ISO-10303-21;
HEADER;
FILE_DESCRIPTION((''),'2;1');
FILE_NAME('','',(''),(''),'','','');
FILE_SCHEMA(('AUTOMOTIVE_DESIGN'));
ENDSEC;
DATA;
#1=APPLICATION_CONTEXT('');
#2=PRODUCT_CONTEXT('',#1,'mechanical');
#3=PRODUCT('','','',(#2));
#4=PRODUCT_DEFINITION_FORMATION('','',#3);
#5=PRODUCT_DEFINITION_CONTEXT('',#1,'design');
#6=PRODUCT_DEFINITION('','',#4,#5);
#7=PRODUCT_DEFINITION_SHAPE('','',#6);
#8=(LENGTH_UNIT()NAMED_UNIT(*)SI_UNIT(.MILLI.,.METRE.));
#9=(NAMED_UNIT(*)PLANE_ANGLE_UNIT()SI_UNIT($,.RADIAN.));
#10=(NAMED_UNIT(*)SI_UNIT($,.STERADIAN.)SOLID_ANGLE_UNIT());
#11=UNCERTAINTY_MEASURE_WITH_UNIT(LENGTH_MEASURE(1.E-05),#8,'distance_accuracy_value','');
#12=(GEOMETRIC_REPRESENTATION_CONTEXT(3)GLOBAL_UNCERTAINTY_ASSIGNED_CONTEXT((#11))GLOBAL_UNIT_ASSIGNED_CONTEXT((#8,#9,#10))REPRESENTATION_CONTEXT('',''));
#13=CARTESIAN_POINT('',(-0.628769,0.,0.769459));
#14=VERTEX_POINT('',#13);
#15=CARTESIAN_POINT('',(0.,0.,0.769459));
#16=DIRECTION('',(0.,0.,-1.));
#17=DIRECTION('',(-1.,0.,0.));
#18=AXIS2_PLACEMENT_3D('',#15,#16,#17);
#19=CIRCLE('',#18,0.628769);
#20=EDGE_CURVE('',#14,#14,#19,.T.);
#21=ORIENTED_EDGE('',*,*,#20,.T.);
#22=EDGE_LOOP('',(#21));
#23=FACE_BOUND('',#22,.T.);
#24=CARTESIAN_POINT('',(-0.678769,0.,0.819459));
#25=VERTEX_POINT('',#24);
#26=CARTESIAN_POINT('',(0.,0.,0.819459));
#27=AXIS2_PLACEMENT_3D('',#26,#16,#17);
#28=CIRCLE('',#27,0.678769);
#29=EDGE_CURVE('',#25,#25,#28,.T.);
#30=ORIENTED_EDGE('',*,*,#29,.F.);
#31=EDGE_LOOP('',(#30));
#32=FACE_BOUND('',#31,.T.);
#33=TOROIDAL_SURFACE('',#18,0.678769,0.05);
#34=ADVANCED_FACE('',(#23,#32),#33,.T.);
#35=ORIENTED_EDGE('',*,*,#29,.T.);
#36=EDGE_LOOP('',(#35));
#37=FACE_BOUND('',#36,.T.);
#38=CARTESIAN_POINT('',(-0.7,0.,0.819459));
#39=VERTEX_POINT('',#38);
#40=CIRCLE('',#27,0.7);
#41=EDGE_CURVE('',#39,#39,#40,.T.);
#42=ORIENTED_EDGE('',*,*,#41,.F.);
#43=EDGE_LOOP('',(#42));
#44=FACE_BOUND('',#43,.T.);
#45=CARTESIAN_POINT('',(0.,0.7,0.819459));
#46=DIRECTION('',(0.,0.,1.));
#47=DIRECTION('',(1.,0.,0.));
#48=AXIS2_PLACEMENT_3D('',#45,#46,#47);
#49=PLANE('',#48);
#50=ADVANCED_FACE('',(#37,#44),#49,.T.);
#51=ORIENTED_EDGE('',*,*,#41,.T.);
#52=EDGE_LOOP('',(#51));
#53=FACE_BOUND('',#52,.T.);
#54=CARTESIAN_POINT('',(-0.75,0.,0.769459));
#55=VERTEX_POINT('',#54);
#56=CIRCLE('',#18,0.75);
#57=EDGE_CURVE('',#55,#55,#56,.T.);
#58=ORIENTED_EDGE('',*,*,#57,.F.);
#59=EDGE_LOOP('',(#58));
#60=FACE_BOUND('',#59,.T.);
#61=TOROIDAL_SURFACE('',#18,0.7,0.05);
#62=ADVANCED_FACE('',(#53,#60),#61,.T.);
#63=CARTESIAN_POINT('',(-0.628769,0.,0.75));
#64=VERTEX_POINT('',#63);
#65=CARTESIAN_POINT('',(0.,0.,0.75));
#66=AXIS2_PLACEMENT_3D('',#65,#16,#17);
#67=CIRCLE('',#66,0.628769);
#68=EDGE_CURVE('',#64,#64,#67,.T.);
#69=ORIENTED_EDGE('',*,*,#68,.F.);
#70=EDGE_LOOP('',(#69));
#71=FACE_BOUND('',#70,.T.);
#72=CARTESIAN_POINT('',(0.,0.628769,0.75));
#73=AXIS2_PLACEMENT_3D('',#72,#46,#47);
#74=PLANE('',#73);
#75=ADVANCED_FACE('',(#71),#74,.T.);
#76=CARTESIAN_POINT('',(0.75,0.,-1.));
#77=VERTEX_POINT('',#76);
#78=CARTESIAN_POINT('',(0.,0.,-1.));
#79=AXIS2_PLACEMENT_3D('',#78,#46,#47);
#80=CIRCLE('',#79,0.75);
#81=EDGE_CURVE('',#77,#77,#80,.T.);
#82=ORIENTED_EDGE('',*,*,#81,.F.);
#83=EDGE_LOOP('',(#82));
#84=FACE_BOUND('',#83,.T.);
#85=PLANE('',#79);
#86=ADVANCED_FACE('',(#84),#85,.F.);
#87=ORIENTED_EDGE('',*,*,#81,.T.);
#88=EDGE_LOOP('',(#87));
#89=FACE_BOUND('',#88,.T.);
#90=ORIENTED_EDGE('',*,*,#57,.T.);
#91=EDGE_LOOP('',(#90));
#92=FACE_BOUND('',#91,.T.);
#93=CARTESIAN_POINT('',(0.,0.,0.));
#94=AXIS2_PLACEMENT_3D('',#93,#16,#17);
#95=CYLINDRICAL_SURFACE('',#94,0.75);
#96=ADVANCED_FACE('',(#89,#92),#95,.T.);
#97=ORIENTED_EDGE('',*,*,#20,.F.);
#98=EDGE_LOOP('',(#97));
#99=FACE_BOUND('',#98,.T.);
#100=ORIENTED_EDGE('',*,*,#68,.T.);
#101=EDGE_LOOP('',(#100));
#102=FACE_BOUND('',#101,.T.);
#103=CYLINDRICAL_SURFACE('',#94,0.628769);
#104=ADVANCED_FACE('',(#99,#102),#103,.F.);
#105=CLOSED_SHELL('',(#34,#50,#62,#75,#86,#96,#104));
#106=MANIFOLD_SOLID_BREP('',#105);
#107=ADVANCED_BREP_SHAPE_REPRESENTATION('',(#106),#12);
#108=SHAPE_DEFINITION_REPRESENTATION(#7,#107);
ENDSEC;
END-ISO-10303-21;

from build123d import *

# Parameters (mm, degrees)
BOSS_EXTRUDE1_START = -1
SKETCH3_R           = 0.75
BOSS_EXTRUDE1_DEPTH = 1


with BuildPart() as part:
    # Sketch2 → Revolve1 (revolve)
    with BuildSketch(Plane(origin=(0, 0, 0), x_dir=(0, 0, -1), z_dir=(1, 0, 0)), mode=Mode.PRIVATE) as revolve1_sk:
        with BuildLine():
            Line((0, 0.75), (0, 0))
            Line((0, 0), (-0.75, 0))
            Line((-0.75, 0), (-0.75, 0.628768743))
            Line((-0.75, 0.628768743), (-0.769458866, 0.628768743))
            ThreePointArc((-0.769458866, 0.628768743), (-0.804814205, 0.643413404), (-0.819458866, 0.678768743))
            Line((-0.819458866, 0.678768743), (-0.819458866, 0.7))
            ThreePointArc((-0.819458866, 0.7), (-0.804814205, 0.735355339), (-0.769458866, 0.75))
            Line((-0.769458866, 0.75), (0, 0.75))
        make_face()
    revolve(revolve1_sk.sketch.rotate(Axis((0, 0, 0), (0, 0, 1)), 90), axis=Axis((0, 0, 0), (0, 0, 1)))

    # Sketch3 → Boss-Extrude1 (add)
    with BuildSketch(Plane.XY.offset(BOSS_EXTRUDE1_START)):
        with Locations(Location((0, 0, 0), (0, 0, 180))):
            Circle(SKETCH3_R)
    extrude(amount=BOSS_EXTRUDE1_DEPTH)


solid = part.part
